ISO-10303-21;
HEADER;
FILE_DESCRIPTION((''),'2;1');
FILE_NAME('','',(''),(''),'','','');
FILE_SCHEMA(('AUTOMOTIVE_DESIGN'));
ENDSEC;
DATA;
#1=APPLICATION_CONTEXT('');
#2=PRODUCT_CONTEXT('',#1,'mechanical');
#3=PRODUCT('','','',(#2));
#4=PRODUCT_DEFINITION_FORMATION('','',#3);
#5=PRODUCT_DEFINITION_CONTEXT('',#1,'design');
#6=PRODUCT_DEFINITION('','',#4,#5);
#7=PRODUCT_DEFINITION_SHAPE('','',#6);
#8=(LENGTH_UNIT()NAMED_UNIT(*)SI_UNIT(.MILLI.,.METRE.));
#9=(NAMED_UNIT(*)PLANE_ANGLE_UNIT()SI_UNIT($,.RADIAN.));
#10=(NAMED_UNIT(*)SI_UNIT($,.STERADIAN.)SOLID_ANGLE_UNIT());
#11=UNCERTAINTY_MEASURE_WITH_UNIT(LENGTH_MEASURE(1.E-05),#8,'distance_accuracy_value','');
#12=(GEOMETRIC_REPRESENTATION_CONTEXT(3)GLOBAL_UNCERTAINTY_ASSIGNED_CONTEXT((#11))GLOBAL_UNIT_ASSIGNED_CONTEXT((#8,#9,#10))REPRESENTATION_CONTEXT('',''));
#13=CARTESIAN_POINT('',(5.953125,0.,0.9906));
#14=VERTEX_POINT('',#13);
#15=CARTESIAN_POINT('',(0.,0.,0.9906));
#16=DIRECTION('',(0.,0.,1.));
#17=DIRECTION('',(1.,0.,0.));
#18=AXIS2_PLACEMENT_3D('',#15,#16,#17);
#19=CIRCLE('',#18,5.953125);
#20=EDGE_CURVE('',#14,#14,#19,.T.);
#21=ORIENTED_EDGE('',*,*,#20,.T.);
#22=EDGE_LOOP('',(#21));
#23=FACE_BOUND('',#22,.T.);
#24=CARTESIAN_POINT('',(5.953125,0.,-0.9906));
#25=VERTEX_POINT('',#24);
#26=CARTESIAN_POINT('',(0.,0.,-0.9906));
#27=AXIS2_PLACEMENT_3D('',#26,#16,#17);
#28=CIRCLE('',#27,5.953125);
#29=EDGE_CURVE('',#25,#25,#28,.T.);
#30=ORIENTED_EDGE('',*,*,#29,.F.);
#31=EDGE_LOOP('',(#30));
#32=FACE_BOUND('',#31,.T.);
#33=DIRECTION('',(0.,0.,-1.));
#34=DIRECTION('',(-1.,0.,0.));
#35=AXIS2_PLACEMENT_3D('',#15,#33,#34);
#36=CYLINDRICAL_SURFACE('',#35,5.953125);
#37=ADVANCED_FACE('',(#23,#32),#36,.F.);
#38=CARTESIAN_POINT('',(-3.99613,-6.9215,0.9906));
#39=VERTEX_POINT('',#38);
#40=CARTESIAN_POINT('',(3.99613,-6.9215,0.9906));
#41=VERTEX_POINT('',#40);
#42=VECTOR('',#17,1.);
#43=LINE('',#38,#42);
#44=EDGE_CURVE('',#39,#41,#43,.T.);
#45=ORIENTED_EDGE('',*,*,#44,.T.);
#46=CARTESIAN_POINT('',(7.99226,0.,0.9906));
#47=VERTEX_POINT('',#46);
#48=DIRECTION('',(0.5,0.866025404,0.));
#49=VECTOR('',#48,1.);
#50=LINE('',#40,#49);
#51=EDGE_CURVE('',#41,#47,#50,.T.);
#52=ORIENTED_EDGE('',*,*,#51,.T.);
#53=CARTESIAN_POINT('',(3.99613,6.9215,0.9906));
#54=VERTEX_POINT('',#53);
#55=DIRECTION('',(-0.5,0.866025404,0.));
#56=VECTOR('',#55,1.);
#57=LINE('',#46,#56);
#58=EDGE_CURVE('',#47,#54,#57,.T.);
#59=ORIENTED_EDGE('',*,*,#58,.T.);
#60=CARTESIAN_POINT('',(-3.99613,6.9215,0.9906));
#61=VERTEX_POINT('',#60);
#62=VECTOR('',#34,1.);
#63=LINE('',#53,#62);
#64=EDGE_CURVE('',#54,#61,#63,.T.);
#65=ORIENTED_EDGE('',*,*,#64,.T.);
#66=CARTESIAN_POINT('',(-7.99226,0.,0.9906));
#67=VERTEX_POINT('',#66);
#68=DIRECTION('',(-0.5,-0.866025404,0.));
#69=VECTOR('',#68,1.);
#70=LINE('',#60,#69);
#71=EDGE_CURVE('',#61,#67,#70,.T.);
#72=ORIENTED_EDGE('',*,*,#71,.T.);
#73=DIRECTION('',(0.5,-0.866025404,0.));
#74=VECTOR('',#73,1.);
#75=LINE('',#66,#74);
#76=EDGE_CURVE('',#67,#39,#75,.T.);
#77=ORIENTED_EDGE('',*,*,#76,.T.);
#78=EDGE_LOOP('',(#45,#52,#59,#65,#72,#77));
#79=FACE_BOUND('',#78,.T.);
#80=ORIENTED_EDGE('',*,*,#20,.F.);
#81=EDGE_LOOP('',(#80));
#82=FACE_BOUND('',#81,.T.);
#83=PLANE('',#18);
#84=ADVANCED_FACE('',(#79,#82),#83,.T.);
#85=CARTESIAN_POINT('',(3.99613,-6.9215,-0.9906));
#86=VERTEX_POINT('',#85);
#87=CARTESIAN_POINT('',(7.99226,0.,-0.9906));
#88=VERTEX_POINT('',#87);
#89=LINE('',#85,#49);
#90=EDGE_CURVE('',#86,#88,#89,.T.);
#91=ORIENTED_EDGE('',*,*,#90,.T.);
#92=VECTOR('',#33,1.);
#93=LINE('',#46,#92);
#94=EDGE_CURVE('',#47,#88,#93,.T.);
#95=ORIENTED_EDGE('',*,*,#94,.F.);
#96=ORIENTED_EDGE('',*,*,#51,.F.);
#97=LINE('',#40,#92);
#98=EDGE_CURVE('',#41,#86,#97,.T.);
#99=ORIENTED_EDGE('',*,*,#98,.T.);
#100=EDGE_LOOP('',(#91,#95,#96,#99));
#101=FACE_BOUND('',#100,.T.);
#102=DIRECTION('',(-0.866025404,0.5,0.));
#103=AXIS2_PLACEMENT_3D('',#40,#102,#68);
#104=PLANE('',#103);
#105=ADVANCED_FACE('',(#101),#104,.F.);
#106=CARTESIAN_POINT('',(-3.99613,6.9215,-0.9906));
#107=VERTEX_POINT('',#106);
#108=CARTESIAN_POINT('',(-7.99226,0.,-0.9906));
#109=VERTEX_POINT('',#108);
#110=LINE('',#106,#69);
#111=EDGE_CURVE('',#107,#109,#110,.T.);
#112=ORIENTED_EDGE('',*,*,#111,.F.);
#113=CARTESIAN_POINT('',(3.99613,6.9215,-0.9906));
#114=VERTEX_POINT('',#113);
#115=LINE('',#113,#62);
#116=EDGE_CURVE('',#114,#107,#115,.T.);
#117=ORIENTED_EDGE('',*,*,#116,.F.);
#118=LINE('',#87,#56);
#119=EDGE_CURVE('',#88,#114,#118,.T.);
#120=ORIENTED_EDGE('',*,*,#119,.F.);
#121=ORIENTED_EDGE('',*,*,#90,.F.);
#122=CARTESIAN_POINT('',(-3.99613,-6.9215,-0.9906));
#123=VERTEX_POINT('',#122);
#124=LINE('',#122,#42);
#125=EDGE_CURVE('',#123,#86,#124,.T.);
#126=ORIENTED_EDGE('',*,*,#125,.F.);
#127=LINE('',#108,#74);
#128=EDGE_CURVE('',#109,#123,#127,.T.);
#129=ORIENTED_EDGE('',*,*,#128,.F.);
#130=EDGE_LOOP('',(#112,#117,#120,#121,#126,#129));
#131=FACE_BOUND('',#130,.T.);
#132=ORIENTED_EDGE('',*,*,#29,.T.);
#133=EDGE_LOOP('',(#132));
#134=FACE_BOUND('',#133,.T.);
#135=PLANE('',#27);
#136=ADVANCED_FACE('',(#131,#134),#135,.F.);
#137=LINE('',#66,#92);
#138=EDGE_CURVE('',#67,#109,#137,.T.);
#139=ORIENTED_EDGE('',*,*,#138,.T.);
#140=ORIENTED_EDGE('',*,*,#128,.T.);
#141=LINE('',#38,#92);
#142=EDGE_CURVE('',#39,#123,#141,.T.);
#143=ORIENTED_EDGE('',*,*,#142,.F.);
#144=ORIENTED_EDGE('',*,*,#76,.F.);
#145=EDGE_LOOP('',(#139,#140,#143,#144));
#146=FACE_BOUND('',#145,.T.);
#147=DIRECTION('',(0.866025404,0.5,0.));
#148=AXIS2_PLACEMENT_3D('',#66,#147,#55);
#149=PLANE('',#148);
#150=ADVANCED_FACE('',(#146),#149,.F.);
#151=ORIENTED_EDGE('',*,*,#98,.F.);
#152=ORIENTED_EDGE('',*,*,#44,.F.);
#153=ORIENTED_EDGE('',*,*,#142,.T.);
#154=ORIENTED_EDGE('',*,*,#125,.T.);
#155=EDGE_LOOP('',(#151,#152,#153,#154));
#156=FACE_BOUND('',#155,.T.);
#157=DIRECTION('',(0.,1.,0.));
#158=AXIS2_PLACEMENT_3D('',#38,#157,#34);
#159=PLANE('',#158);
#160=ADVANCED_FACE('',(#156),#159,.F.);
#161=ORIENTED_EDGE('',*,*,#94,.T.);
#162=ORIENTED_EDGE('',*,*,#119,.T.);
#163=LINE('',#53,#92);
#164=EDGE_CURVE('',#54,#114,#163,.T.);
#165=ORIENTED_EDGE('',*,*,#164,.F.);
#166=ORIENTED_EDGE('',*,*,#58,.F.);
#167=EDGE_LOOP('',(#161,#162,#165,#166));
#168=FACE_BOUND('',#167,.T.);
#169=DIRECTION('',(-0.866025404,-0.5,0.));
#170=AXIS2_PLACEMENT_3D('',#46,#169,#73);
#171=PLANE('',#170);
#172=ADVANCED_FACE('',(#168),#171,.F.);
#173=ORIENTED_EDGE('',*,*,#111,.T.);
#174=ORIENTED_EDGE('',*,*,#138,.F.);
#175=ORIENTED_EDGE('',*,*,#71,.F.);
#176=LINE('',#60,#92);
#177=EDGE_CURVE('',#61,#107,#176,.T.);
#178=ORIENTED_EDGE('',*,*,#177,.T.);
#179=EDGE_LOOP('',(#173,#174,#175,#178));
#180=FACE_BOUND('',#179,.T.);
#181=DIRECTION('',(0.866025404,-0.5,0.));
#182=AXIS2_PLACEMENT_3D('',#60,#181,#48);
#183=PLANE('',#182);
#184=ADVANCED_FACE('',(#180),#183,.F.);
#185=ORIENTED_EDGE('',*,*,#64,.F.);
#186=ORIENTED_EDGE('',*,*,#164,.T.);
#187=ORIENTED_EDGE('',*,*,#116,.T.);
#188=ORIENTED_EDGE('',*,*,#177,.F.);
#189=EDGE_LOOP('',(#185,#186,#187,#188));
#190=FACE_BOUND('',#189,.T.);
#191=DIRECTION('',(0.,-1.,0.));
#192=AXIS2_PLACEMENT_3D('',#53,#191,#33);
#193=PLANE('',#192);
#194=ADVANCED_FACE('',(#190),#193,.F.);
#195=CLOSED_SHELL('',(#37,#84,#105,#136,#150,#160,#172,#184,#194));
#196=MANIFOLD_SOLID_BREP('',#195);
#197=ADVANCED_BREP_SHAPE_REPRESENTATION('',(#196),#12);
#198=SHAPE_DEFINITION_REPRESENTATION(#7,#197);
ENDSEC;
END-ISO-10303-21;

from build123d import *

# Parameters (mm, degrees)
SKETCH1_R           = 5.953125
BOSS_EXTRUDE1_DEPTH = 0.9906


with BuildPart() as part:
    # Sketch1 → Boss-Extrude1 (new, symmetric)
    with BuildSketch(Plane.XY):
        Polygon((3.996129888, -6.9215), (7.992259776, 0), (3.996129888, 6.9215), (-3.996129888, 6.9215), (-7.992259776, 0), (-3.996129888, -6.9215), align=None)
        Circle(SKETCH1_R, mode=Mode.SUBTRACT)
    extrude(amount=BOSS_EXTRUDE1_DEPTH, both=True)


solid = part.part
